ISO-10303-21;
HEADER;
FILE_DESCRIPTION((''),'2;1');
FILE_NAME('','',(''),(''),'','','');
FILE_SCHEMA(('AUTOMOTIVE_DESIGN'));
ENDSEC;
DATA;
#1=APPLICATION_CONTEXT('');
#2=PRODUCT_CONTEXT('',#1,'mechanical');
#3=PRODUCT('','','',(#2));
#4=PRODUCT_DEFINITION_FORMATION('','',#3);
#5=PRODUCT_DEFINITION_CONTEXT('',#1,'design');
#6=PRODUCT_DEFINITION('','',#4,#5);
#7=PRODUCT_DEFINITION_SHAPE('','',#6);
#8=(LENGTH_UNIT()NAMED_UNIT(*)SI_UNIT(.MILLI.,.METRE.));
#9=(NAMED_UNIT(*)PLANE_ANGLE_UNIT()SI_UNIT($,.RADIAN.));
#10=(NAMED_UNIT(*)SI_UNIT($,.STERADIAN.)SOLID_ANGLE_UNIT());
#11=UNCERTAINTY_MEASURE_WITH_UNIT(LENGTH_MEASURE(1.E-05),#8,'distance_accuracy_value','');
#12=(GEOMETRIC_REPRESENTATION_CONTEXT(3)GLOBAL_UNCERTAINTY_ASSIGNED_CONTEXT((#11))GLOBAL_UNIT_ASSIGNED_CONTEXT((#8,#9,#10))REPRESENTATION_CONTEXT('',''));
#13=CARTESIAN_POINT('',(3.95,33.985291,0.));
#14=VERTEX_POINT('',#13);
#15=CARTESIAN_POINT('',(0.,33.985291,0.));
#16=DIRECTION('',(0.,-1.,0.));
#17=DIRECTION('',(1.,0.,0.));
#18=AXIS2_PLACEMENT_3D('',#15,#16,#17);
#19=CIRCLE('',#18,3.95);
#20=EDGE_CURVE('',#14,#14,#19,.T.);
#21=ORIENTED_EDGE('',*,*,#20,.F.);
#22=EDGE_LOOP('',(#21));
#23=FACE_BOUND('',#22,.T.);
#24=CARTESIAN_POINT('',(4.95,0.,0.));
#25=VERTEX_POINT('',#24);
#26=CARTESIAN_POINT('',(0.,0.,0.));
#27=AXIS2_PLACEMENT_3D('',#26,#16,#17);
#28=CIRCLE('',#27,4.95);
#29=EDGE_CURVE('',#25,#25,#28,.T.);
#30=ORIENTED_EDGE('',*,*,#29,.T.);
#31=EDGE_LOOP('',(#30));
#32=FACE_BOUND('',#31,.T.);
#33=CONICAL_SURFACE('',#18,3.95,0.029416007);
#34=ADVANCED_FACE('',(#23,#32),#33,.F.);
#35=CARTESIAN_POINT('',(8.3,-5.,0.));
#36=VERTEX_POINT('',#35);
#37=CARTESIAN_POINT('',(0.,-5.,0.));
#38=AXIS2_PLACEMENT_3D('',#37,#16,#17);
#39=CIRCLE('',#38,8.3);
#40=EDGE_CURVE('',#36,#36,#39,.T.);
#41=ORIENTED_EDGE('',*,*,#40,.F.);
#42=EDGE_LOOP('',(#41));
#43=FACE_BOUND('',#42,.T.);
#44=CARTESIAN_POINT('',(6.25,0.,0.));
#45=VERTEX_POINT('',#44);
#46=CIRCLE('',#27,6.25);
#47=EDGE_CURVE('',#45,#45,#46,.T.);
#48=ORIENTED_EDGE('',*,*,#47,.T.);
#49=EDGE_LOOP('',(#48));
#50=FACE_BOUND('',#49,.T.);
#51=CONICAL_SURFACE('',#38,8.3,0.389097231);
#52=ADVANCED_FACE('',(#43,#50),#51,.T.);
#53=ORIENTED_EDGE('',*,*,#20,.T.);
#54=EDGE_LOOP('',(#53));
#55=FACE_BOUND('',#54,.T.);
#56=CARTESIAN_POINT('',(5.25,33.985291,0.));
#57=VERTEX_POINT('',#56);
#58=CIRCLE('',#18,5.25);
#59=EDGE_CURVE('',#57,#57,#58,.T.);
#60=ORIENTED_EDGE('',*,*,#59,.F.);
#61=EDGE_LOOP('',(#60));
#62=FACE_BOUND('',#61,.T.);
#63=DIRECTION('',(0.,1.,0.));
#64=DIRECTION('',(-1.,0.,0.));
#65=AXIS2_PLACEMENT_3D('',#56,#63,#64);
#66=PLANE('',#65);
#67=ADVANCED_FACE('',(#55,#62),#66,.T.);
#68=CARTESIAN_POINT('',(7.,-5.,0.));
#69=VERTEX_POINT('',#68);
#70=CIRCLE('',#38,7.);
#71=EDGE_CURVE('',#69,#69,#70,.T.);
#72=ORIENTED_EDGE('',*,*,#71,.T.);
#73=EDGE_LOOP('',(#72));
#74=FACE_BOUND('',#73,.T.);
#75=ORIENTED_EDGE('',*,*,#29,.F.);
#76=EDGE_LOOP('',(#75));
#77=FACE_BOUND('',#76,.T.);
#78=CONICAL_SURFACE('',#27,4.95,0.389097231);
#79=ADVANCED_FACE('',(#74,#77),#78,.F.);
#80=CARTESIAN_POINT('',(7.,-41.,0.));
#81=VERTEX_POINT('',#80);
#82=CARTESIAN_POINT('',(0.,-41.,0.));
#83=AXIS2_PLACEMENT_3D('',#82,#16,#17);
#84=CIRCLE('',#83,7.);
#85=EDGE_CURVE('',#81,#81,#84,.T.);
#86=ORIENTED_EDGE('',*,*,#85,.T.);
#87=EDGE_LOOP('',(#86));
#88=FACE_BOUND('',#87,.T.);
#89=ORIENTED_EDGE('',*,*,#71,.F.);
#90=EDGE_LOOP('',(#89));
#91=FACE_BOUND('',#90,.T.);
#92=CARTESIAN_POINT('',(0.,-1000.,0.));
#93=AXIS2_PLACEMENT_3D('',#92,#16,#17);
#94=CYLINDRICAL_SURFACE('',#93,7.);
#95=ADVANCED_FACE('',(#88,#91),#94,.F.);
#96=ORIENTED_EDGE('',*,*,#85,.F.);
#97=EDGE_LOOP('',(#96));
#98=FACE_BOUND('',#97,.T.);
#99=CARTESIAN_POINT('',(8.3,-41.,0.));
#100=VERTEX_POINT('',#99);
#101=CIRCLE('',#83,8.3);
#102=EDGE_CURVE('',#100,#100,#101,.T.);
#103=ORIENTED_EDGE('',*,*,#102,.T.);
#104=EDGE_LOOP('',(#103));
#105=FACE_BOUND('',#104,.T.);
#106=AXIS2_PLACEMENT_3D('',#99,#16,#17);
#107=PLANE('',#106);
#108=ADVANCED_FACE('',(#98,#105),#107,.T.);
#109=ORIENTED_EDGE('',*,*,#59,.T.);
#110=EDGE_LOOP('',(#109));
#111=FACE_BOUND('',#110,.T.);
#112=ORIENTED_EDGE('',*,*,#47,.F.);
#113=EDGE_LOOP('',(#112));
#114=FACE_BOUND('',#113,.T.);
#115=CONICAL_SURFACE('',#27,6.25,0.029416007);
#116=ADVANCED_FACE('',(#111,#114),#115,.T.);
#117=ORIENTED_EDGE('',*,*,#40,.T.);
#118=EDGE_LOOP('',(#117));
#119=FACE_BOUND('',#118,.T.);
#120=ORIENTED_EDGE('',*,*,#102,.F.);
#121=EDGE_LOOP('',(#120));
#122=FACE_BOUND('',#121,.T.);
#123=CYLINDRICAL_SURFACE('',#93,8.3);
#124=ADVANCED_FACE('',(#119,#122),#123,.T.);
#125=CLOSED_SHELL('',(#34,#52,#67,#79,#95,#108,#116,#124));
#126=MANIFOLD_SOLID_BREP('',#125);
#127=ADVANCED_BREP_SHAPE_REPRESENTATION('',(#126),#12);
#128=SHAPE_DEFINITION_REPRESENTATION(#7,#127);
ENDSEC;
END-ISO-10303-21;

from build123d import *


with BuildPart() as part:
    # Sketch2 → Revolve1 (revolve)
    with BuildSketch(Plane.XY):
        Polygon((6.25, 0), (5.25, 33.985290936), (3.95, 33.985290936), (4.95, 0), (7, -5), (7, -41), (8.3, -41), (8.3, -5), align=None)
    revolve(axis=Axis((0, -1000, 0), (0, 1, 0)))


solid = part.part
